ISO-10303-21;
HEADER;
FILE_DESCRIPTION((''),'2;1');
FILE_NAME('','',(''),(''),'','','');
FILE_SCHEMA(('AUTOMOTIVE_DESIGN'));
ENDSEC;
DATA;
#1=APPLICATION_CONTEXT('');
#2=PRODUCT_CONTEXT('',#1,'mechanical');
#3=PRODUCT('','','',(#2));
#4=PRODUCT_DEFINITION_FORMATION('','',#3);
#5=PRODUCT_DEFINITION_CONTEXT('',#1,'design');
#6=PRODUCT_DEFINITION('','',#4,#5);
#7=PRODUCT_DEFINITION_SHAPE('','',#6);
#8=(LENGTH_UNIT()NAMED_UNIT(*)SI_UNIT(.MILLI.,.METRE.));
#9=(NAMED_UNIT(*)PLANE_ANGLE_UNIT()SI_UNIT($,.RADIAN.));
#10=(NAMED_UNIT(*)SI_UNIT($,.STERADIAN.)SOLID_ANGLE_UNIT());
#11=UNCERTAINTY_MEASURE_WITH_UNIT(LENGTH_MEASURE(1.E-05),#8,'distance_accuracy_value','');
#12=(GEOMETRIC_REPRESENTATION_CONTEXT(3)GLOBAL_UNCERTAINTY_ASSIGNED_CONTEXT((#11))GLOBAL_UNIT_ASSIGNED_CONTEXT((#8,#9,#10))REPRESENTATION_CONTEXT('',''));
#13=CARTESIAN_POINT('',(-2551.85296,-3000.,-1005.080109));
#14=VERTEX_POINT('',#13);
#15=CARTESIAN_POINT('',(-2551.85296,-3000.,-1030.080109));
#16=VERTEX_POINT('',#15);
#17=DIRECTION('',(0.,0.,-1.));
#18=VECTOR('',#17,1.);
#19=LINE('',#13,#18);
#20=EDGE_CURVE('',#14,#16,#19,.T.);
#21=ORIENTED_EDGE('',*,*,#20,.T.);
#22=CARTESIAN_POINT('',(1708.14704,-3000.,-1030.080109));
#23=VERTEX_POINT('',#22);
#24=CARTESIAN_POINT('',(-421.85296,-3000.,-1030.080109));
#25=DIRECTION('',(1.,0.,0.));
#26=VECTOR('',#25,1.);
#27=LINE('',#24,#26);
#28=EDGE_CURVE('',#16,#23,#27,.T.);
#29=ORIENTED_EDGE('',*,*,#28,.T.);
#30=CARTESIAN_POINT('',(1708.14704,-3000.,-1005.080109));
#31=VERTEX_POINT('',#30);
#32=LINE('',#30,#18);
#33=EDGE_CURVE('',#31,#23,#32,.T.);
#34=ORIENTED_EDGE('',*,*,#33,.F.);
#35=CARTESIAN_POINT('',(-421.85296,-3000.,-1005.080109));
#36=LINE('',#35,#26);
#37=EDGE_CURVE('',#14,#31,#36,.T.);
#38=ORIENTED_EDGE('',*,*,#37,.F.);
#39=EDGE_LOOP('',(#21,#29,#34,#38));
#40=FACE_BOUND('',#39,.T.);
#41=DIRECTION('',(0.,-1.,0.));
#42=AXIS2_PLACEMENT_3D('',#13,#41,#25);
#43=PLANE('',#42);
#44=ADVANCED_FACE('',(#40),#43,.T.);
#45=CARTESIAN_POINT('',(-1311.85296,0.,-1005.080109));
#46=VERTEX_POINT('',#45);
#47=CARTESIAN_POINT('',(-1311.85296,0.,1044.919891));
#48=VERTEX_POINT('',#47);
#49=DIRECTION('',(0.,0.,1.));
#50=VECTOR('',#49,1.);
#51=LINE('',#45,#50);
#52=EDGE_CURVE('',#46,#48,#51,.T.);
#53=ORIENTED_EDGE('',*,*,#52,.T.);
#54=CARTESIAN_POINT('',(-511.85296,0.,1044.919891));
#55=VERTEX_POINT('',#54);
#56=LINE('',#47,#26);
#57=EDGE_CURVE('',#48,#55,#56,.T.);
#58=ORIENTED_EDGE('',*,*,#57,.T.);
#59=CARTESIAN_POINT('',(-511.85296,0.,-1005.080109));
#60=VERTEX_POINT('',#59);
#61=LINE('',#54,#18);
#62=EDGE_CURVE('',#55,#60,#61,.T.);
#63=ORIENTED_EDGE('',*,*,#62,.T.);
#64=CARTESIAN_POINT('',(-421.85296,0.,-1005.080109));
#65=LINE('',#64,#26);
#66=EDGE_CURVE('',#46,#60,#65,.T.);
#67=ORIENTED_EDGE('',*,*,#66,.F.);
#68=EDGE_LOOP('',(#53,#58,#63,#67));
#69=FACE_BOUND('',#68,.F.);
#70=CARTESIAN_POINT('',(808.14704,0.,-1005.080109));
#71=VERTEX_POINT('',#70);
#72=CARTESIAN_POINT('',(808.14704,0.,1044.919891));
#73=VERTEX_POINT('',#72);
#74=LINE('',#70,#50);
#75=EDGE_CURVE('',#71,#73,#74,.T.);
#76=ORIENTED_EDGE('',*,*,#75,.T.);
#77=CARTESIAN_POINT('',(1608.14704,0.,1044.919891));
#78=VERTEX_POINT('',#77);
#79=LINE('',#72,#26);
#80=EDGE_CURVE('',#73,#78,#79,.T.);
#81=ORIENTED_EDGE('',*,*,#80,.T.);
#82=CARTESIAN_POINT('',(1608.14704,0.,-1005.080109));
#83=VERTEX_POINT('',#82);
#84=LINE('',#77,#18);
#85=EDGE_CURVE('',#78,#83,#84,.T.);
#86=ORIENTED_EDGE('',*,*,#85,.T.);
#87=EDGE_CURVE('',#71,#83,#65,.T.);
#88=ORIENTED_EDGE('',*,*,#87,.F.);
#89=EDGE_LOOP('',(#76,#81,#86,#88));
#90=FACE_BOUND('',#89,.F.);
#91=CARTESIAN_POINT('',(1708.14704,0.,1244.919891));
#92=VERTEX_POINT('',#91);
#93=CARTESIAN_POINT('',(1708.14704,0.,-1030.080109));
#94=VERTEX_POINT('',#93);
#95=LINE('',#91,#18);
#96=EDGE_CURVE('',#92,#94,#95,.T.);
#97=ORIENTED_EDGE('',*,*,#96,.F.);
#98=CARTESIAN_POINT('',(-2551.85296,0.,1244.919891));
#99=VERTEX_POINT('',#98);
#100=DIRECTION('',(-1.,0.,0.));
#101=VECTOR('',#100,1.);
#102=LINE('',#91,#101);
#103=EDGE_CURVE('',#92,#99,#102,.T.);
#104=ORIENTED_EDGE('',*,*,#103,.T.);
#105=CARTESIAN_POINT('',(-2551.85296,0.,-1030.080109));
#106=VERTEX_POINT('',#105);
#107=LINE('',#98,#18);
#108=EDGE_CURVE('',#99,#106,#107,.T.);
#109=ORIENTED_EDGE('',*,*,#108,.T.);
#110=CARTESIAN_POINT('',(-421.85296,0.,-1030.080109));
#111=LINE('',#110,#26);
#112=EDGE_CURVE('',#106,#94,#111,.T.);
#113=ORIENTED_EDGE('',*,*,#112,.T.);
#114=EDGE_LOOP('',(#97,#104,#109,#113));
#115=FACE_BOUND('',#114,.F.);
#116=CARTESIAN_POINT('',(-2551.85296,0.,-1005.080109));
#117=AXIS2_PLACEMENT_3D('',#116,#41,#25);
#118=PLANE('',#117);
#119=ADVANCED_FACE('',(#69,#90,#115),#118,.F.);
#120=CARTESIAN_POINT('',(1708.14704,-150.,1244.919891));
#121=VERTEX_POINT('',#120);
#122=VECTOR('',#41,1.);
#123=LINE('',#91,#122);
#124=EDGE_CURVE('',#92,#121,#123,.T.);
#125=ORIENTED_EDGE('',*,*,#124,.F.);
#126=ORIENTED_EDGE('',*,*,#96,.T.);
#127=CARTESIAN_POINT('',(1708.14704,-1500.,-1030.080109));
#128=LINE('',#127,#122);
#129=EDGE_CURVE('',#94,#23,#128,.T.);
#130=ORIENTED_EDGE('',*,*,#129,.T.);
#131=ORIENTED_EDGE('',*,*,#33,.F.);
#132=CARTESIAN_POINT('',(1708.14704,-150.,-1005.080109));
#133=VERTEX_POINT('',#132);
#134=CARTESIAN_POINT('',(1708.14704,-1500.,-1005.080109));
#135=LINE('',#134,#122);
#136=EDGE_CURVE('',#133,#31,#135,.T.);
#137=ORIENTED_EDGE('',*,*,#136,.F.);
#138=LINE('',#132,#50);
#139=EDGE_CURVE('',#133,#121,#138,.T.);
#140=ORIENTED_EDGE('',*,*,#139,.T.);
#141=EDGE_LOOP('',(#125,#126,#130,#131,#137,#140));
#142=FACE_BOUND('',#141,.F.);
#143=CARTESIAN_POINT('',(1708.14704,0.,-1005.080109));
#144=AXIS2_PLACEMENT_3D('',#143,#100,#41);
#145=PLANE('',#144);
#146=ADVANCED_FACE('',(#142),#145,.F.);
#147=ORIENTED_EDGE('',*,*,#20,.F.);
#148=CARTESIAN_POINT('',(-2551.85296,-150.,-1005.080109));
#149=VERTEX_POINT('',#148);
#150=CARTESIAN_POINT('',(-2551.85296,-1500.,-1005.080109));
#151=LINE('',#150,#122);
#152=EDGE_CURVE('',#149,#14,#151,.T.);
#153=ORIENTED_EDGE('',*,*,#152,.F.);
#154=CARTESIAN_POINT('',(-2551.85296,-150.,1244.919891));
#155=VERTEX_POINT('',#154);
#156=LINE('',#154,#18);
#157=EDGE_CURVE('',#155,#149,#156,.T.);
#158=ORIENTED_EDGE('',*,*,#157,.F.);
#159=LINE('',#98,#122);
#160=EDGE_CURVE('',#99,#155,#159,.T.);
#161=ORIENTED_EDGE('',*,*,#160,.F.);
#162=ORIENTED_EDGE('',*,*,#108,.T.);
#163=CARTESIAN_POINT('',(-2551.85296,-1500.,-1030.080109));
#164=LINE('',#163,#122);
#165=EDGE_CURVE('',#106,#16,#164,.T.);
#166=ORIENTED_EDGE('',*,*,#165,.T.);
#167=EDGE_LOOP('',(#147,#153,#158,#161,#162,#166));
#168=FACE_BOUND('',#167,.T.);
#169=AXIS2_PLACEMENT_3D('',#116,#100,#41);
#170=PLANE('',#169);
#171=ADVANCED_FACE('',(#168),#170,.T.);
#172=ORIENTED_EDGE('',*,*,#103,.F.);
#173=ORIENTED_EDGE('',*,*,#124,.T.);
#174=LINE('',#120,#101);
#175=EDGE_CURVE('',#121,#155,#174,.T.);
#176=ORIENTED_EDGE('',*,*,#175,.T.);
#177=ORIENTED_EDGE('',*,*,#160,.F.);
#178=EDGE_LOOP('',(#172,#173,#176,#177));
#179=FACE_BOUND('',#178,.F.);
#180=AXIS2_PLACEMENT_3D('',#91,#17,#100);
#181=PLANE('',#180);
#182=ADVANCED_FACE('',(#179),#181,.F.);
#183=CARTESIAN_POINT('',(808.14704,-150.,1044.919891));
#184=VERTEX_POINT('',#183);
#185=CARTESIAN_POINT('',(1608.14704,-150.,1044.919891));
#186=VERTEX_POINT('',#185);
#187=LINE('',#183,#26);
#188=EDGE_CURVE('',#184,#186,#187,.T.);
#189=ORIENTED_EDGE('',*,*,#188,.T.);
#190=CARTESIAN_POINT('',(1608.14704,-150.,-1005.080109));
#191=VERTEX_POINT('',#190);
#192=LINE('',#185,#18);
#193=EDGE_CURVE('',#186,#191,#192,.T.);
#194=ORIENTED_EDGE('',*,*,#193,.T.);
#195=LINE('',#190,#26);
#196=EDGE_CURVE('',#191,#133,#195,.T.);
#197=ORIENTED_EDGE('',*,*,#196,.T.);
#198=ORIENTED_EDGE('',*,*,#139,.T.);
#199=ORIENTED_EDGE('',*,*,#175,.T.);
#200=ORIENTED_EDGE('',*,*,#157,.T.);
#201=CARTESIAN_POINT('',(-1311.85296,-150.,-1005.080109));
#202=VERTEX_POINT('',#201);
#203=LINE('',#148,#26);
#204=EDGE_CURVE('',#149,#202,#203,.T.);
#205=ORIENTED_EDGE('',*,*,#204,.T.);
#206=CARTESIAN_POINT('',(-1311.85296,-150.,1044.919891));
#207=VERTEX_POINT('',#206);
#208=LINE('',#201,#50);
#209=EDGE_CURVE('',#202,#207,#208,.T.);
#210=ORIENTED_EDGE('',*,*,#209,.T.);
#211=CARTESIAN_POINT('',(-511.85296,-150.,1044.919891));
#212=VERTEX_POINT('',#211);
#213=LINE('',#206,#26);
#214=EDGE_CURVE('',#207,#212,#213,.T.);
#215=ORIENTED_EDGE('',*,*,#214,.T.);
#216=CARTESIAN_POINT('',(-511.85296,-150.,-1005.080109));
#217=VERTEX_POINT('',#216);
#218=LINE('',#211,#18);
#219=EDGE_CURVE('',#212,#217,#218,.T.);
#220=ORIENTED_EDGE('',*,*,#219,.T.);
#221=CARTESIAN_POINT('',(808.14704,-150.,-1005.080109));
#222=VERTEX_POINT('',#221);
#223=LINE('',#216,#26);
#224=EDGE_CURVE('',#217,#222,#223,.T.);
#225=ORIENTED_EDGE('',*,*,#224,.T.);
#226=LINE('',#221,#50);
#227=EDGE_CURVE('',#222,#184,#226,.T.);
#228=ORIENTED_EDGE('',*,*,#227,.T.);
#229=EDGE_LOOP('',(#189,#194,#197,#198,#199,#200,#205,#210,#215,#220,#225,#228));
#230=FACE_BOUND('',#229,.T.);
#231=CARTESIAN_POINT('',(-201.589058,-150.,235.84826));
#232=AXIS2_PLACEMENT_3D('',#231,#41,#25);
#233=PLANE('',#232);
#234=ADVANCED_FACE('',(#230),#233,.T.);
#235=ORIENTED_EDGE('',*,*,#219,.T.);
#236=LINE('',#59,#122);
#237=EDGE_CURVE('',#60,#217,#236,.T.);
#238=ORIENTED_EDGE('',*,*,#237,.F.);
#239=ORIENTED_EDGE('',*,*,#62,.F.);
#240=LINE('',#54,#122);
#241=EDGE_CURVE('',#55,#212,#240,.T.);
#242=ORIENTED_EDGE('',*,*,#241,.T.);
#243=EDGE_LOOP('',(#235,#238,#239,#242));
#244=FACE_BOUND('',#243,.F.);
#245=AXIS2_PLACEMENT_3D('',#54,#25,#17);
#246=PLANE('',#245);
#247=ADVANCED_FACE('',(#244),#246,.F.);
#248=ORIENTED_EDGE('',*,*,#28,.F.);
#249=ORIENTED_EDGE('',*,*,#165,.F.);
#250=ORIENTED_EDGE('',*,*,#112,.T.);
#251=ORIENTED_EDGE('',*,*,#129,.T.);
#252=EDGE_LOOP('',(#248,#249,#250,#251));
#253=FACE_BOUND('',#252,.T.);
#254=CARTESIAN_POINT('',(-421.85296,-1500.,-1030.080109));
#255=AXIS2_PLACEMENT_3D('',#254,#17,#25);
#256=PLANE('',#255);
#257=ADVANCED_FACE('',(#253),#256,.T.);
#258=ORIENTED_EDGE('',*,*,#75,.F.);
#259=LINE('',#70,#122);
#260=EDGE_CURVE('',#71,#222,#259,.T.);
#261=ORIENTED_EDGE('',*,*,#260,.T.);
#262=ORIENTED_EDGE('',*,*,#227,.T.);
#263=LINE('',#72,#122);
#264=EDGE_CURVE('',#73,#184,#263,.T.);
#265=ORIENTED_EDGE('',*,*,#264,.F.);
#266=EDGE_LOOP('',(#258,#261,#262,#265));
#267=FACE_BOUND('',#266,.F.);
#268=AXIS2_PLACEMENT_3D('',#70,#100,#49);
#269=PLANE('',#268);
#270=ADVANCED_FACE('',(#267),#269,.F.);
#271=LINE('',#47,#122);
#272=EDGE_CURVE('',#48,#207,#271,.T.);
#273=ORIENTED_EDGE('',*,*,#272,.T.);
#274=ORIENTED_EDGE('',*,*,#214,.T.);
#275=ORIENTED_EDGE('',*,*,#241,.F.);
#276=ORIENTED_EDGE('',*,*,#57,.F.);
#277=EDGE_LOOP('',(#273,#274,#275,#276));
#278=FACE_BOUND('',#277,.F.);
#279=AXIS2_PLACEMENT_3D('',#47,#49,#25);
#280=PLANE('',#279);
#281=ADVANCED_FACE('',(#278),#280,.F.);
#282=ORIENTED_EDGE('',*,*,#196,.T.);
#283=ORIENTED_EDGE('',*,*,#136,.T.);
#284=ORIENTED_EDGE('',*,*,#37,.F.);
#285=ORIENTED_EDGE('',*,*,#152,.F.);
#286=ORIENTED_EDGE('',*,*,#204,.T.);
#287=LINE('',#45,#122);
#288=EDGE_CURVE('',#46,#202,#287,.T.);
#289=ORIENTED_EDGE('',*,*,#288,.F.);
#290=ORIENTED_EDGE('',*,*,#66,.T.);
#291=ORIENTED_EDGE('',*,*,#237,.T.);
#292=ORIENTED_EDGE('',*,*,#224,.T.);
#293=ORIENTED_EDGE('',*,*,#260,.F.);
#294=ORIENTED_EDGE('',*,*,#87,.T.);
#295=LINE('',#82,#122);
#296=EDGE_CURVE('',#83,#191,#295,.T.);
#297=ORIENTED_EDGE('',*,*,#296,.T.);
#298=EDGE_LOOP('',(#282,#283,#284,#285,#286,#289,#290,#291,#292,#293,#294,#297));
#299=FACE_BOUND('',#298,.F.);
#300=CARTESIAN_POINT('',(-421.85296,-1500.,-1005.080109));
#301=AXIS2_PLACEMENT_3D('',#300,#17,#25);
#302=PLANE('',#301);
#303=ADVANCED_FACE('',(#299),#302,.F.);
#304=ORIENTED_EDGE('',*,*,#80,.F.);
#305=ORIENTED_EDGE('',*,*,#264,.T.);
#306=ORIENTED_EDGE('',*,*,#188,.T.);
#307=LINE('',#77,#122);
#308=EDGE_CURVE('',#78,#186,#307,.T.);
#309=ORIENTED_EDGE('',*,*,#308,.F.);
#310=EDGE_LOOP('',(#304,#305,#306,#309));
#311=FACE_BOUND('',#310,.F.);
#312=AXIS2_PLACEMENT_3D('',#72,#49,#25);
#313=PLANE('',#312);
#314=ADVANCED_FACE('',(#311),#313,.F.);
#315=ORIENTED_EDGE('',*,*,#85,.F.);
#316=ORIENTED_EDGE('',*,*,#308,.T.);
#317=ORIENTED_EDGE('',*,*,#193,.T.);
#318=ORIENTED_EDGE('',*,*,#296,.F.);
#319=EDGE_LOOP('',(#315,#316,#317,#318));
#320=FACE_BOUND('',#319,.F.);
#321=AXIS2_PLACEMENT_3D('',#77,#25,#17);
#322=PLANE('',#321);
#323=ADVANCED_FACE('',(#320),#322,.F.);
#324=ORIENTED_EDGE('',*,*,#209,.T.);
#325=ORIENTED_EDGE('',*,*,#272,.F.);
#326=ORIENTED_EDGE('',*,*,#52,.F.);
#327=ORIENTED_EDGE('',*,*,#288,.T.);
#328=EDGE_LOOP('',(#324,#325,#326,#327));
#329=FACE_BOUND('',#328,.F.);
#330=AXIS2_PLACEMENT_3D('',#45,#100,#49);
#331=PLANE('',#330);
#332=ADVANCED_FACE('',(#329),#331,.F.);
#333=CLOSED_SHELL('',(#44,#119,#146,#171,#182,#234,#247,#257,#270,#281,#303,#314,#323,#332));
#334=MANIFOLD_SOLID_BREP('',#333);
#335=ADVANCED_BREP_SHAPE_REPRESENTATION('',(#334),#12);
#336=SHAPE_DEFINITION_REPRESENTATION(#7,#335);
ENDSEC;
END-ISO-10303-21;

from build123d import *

# Parameters (mm, degrees)
F1_DEPTH = 150
F2_W     = 4260
F2_H     = 3000
F3_DEPTH = 25


with BuildPart() as f1:
    # F0 (on Front) → F1 (new body)
    with BuildSketch(Plane.XZ):
        Polygon((1708.14704, 1244.919891), (-2551.85296, 1244.919891), (-2551.85296, -1005.080109), (-1311.85296, -1005.080109), (-1311.85296, 1044.919891), (-511.85296, 1044.919891), (-511.85296, -1005.080109), (808.14704, -1005.080109), (808.14704, 1044.919891), (1608.14704, 1044.919891), (1608.14704, -1005.080109), (1708.14704, -1005.080109), align=None)
    extrude(amount=F1_DEPTH)

    # F2 (on face) → F3 (join)
    with BuildSketch(Plane(origin=(0, 0, -1005.080109), x_dir=(1, 0, 0), z_dir=(0, 0, -1))):
        with Locations((-421.85296, 1500)):
            Rectangle(F2_W, F2_H)
    extrude(amount=F3_DEPTH)


solid = f1.part
